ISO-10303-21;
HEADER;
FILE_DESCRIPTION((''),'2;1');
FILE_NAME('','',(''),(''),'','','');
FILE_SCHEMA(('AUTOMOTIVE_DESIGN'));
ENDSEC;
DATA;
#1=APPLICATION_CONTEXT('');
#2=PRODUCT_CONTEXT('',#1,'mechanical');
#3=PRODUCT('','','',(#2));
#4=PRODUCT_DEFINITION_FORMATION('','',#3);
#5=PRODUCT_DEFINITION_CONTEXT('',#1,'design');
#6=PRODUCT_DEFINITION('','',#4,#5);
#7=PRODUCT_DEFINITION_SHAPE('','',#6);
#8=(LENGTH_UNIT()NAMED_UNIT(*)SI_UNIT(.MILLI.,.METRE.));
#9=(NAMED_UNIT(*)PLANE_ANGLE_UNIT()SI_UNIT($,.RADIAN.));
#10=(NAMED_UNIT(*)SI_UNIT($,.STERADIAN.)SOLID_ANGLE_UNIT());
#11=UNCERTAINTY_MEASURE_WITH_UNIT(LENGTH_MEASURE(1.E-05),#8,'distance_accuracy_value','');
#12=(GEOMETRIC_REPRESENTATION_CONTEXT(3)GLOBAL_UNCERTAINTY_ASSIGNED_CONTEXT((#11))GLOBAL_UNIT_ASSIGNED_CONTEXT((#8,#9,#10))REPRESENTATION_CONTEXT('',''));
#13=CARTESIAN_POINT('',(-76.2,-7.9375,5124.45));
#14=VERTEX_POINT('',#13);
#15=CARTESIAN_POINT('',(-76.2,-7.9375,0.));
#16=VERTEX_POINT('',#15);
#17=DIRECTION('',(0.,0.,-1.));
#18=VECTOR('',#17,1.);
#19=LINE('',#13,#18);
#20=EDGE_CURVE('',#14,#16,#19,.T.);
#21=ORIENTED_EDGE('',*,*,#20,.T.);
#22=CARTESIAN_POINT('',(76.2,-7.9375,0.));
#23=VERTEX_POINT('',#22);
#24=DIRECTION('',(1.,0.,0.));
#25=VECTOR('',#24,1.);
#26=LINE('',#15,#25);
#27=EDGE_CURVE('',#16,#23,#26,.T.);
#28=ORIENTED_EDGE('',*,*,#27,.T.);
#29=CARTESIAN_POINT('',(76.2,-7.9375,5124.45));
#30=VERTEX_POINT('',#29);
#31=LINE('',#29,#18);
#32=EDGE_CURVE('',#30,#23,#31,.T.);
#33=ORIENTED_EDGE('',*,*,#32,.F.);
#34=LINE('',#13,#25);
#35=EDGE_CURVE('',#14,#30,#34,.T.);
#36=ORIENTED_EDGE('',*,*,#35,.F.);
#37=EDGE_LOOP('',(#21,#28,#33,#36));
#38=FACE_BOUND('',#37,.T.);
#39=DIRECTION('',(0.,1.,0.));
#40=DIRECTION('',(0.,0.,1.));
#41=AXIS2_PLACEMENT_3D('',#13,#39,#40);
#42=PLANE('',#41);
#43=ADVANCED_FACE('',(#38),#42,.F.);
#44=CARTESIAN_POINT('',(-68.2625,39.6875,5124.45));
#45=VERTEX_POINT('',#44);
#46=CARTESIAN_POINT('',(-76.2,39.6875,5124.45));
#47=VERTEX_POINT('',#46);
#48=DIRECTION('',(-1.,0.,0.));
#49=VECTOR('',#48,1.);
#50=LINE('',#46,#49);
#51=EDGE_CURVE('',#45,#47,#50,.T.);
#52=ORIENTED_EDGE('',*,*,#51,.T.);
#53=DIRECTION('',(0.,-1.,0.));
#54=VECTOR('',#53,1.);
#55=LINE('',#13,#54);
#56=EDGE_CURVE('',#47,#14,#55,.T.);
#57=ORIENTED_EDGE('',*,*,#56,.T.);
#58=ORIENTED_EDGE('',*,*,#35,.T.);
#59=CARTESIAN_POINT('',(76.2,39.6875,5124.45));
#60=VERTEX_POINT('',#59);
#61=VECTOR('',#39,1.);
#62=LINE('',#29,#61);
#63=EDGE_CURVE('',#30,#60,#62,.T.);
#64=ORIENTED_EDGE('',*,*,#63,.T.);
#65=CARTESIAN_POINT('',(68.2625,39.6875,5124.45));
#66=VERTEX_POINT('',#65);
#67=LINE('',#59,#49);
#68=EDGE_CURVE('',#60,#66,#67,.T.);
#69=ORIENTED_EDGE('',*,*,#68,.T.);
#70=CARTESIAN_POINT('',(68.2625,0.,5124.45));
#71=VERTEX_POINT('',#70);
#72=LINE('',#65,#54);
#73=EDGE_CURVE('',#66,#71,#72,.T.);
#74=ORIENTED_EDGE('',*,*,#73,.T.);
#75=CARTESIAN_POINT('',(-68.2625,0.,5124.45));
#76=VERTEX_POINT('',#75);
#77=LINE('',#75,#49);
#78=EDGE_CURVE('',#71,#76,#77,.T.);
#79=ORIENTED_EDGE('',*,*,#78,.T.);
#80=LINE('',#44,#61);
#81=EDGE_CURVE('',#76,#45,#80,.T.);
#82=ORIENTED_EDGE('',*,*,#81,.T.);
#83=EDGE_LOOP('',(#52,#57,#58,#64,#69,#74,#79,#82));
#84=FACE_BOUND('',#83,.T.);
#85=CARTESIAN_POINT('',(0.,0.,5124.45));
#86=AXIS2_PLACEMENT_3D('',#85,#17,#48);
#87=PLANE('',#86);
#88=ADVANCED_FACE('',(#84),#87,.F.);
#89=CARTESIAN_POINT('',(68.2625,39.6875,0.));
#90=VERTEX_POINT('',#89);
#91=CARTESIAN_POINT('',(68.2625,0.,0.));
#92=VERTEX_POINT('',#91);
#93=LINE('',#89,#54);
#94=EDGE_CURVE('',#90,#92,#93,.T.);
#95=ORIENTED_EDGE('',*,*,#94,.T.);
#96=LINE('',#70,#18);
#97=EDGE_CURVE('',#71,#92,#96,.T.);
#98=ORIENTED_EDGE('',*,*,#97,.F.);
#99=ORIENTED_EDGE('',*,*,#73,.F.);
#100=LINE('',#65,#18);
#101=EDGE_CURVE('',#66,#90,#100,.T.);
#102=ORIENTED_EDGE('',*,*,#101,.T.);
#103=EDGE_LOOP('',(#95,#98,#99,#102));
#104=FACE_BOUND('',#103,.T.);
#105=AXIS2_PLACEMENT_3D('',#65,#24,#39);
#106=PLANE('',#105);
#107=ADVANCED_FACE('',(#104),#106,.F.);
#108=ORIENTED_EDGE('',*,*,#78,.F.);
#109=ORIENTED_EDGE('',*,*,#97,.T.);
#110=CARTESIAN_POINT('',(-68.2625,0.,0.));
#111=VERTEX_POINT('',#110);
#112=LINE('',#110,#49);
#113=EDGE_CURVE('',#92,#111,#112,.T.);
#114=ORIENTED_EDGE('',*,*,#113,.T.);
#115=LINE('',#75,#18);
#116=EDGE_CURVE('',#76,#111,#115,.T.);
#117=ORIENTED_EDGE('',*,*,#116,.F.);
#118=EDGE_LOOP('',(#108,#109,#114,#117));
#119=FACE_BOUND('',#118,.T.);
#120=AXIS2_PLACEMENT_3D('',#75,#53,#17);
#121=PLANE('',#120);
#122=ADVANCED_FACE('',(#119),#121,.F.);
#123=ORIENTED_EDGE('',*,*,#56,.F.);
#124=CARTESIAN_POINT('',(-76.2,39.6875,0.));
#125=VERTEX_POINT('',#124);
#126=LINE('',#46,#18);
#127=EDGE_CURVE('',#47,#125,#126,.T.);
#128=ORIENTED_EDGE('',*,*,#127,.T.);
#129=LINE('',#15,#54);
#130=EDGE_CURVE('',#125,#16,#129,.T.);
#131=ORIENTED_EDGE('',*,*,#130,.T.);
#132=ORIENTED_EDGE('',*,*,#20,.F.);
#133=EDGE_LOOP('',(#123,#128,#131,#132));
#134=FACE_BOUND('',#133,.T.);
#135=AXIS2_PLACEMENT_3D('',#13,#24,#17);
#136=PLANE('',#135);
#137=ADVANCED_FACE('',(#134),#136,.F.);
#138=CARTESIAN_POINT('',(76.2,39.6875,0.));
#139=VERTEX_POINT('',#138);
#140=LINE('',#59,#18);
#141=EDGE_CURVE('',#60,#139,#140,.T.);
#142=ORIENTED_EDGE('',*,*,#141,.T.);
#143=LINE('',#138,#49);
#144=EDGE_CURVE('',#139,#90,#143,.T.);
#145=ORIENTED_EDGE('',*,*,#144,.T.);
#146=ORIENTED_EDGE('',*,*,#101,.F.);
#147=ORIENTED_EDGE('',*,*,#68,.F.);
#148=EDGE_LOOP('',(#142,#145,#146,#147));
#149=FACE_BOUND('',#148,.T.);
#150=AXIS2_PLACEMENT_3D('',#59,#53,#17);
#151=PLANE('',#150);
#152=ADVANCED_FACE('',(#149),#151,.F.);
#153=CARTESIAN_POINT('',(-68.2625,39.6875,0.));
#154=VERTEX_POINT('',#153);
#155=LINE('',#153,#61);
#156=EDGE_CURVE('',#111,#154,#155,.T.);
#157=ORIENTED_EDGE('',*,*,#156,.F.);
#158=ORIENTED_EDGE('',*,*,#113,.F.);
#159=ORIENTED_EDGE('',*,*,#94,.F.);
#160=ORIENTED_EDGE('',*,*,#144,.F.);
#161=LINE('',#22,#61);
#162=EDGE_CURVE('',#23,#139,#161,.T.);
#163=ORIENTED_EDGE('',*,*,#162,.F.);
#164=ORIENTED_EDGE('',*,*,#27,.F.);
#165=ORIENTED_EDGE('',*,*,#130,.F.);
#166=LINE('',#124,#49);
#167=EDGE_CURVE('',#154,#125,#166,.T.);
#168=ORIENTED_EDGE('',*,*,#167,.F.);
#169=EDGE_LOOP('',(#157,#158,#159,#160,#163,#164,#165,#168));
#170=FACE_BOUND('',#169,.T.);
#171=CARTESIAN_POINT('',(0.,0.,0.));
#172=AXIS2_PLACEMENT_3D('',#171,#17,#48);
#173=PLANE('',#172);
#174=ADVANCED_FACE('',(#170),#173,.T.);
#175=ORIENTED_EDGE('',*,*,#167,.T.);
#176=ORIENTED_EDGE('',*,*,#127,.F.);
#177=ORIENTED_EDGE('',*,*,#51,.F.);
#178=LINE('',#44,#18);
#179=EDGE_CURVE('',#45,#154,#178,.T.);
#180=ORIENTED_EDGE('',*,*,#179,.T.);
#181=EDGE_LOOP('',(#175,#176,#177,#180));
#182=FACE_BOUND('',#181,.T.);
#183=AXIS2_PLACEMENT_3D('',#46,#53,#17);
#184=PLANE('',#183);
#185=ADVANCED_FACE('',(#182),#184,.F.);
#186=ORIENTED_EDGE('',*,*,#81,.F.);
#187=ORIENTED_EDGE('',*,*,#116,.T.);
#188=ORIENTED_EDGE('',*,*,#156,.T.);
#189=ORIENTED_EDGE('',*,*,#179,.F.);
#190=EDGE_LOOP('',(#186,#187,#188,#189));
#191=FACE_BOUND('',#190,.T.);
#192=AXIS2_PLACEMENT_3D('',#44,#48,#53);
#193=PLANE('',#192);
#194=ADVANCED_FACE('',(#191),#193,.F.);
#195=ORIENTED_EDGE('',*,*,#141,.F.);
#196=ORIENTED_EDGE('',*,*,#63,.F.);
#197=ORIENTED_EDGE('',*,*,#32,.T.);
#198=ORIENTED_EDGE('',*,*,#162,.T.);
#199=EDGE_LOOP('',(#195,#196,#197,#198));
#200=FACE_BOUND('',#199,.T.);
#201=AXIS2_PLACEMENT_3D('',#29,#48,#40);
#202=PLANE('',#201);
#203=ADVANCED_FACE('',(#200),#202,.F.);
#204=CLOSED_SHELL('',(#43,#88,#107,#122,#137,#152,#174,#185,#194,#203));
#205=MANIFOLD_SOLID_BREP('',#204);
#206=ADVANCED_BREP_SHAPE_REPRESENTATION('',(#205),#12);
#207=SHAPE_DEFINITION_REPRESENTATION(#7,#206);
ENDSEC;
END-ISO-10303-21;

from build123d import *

# Parameters (mm, degrees)
BOSS_EXTRUDE1_DEPTH = 5124.45


with BuildPart() as part:
    # Sketch3 → Boss-Extrude1 (new body)
    with BuildSketch(Plane.XY):
        Polygon((-68.2625, 39.6875), (-68.2625, 0), (68.2625, 0), (68.2625, 39.6875), (76.2, 39.6875), (76.2, -7.9375), (-76.2, -7.9375), (-76.2, 39.6875), align=None)
    extrude(amount=BOSS_EXTRUDE1_DEPTH)


solid = part.part
